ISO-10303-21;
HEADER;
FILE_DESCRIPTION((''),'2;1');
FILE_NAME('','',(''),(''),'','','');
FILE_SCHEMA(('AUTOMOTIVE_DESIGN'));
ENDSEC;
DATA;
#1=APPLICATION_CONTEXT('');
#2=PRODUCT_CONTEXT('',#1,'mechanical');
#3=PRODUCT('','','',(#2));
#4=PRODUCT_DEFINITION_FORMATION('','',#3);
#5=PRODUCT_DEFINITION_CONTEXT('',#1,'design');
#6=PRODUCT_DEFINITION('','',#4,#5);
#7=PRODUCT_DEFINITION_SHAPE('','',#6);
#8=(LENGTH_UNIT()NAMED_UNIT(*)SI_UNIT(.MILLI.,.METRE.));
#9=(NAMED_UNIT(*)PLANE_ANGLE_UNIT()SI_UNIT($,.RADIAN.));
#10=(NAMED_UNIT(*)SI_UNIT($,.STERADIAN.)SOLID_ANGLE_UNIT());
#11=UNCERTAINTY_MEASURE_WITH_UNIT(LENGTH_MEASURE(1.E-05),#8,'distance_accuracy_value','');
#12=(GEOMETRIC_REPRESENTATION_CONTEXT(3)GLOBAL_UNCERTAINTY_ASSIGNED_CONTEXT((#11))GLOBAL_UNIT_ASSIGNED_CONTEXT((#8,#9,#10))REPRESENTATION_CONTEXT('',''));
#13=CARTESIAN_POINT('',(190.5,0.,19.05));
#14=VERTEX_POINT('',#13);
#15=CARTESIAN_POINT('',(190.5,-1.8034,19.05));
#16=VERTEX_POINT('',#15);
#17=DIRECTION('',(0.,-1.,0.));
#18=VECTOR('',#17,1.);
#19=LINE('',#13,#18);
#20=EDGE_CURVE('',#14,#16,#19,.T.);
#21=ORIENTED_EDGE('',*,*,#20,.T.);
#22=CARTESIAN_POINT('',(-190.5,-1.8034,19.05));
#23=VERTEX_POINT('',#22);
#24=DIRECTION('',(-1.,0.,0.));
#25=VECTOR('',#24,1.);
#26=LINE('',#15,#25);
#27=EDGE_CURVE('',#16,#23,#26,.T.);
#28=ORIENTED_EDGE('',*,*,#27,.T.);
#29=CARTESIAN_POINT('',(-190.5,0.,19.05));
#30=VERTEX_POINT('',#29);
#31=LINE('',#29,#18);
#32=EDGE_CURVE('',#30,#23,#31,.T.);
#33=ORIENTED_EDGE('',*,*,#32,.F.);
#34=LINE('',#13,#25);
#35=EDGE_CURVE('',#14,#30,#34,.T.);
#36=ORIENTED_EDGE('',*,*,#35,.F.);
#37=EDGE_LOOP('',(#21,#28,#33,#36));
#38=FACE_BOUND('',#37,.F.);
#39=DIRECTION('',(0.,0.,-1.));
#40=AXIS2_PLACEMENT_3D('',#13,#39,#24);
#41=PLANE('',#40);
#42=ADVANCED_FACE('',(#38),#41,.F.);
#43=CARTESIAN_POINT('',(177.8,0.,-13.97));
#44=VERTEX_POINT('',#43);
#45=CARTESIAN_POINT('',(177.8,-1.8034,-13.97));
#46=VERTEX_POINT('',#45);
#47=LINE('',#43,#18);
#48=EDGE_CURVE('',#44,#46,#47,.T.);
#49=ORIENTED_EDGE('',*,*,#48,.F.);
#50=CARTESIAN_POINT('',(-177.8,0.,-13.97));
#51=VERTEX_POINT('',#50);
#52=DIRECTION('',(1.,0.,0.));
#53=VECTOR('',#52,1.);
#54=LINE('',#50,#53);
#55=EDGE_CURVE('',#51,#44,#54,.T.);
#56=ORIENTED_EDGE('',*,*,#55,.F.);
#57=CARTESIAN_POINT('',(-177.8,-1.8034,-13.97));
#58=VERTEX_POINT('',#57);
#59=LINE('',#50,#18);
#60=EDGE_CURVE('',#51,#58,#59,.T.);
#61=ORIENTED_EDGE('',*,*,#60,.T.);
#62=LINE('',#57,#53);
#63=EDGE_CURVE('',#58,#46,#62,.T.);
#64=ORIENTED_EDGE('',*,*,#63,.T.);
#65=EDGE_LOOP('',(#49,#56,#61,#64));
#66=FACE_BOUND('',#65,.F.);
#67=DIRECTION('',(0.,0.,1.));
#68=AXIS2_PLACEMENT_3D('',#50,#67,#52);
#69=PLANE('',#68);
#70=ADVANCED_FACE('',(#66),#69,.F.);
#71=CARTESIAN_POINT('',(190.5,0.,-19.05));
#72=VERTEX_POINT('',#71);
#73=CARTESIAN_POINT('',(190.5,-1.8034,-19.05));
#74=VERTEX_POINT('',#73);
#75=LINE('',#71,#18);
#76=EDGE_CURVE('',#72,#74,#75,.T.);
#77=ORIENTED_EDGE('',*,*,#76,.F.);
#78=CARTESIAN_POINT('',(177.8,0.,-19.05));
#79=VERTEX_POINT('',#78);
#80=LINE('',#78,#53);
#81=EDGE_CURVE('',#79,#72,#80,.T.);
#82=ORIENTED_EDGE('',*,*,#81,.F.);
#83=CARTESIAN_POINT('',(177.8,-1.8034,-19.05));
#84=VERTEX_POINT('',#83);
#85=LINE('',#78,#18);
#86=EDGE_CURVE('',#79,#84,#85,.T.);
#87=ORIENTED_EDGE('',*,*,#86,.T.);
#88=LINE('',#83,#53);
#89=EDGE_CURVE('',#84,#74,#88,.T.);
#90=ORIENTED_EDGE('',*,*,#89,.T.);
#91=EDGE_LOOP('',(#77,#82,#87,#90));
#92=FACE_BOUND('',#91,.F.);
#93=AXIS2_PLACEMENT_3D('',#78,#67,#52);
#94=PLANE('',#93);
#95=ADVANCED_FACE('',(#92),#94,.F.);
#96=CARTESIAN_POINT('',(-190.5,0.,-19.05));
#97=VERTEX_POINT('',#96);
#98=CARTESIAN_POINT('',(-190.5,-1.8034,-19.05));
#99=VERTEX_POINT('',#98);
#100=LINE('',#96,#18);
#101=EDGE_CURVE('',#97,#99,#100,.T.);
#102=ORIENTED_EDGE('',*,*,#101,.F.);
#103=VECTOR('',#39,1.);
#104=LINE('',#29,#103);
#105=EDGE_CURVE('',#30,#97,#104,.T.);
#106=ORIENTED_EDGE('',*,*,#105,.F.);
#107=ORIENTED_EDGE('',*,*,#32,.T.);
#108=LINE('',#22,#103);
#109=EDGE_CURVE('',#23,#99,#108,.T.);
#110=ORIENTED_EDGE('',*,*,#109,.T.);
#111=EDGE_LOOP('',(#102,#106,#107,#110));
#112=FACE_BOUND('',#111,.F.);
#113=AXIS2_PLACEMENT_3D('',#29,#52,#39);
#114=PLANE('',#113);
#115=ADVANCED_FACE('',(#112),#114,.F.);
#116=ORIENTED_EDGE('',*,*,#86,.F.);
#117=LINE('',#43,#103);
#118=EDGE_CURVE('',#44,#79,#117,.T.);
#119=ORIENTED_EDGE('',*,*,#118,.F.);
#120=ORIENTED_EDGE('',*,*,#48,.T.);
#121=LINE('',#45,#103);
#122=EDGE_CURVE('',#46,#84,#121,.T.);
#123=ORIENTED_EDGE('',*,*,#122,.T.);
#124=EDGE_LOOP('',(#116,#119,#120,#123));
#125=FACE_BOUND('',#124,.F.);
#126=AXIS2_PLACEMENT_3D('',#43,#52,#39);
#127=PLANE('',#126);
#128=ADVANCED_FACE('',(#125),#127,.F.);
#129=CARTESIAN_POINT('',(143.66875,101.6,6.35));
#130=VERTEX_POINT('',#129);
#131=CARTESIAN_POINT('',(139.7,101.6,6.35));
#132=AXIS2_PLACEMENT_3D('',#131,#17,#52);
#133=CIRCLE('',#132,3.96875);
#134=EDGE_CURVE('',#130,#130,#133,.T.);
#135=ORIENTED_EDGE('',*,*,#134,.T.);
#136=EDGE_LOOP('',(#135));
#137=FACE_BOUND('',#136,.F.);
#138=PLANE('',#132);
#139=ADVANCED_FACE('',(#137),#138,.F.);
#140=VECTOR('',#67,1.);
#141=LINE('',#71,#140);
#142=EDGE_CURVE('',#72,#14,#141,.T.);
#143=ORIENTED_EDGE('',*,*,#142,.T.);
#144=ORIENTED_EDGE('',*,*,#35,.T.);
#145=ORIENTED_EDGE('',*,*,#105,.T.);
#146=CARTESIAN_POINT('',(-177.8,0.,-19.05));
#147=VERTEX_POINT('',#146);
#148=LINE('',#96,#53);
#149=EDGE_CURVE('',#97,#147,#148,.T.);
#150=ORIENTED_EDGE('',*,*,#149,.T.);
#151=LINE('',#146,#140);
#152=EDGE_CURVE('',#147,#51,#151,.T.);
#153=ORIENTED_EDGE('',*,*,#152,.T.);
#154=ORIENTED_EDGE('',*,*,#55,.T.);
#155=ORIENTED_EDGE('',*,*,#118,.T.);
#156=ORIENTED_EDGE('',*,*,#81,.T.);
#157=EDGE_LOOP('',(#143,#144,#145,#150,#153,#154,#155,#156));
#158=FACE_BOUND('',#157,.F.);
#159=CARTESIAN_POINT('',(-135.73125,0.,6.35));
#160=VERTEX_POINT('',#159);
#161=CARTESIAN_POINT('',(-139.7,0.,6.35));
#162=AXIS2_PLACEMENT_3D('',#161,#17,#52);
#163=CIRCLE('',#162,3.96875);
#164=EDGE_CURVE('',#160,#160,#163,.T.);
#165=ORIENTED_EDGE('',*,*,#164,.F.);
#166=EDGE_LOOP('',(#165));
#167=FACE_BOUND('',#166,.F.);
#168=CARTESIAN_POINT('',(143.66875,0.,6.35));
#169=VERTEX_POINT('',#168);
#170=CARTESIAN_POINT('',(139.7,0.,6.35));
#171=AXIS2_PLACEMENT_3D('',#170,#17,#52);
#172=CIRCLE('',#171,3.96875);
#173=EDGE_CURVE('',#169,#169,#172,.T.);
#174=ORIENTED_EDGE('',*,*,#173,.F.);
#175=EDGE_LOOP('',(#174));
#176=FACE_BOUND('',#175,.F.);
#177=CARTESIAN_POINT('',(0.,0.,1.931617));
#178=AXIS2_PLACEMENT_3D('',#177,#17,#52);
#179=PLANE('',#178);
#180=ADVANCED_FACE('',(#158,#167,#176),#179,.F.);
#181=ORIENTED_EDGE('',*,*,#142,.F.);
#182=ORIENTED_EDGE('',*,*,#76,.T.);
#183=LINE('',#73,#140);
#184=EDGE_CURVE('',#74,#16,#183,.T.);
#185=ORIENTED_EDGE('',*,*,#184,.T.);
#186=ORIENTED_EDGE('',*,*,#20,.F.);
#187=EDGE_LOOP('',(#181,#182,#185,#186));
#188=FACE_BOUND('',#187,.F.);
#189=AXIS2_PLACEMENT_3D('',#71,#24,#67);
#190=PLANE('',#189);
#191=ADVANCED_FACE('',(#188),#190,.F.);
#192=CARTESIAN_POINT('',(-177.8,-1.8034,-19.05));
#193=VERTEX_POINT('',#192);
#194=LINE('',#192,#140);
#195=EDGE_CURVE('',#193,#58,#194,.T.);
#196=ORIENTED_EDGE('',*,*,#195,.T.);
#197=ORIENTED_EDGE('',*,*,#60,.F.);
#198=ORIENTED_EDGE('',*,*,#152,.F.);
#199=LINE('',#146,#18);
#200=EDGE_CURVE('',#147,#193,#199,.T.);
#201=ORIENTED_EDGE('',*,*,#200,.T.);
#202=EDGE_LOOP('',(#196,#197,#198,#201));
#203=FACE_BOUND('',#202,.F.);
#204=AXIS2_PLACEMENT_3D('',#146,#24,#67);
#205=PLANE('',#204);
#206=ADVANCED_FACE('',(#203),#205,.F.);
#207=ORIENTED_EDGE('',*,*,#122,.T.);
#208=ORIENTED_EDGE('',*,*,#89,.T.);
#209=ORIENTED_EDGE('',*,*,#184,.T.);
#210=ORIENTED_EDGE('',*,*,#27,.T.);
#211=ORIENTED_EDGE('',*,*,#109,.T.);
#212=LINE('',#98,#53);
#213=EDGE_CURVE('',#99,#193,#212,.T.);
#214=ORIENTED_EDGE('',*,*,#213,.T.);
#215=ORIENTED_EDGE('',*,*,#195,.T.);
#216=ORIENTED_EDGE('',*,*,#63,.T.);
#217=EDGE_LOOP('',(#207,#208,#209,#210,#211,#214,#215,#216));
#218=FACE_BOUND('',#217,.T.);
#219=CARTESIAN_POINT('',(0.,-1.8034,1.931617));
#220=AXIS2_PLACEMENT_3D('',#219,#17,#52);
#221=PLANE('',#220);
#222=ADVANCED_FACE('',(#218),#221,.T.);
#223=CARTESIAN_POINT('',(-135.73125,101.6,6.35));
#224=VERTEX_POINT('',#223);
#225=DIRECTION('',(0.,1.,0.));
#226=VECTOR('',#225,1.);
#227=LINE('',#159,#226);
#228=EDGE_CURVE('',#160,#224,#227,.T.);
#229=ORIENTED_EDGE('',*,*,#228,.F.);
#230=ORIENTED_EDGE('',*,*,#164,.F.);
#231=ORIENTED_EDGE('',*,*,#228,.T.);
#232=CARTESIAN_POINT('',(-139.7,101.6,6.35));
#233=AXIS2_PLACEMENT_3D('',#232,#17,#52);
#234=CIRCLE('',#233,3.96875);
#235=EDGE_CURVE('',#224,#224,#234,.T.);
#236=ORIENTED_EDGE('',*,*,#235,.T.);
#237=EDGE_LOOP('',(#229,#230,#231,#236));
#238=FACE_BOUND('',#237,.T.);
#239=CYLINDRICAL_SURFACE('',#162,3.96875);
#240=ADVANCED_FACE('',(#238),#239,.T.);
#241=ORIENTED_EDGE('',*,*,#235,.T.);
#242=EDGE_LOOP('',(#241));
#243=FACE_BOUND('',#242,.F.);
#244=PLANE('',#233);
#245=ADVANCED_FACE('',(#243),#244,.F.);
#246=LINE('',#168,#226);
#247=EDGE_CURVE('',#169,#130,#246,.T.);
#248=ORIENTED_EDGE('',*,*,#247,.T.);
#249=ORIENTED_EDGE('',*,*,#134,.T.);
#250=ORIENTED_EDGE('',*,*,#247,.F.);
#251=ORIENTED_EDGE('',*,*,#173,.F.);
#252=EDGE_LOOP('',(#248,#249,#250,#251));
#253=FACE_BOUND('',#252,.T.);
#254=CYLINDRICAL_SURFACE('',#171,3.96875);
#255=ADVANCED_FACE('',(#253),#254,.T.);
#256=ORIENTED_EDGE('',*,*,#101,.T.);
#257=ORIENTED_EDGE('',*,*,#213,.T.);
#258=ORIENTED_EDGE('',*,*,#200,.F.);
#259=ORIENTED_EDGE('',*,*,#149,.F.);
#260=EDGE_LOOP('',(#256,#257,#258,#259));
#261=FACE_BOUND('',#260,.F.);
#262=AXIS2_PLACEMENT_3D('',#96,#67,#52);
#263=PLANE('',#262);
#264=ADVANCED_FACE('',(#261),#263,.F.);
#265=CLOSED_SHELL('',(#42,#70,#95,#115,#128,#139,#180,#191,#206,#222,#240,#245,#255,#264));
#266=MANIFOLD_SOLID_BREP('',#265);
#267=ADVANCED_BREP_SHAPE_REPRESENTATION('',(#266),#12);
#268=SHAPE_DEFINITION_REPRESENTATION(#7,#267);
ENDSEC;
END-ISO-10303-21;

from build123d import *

# Parameters (mm, degrees)
F0_R     = 3.96875
F1_DEPTH = 1.8034
F2_DEPTH = 101.6


with BuildPart() as f1:
    # F0 (on Front) → F1 (new body)
    with BuildSketch(Plane.XZ):
        Polygon((190.5, -19.05), (190.5, 19.05), (-190.5, 19.05), (-190.5, -19.05), (-177.8, -19.05), (-177.8, -13.97), (177.8, -13.97), (177.8, -19.05), align=None)
        with Locations((-139.7, 6.35)):
            Circle(F0_R, mode=Mode.SUBTRACT)
        with Locations((139.7, 6.35)):
            Circle(F0_R, mode=Mode.SUBTRACT)
        with Locations((-139.7, 6.35)):
            Circle(F0_R)
        with Locations((139.7, 6.35)):
            Circle(F0_R)
    extrude(amount=F1_DEPTH)

    # F0 (on Front) → F2 (join)
    with BuildSketch(Plane.XZ):
        with Locations((-139.7, 6.35)):
            Circle(F0_R)
        with Locations((139.7, 6.35)):
            Circle(F0_R)
    extrude(amount=-F2_DEPTH)


solid = f1.part
